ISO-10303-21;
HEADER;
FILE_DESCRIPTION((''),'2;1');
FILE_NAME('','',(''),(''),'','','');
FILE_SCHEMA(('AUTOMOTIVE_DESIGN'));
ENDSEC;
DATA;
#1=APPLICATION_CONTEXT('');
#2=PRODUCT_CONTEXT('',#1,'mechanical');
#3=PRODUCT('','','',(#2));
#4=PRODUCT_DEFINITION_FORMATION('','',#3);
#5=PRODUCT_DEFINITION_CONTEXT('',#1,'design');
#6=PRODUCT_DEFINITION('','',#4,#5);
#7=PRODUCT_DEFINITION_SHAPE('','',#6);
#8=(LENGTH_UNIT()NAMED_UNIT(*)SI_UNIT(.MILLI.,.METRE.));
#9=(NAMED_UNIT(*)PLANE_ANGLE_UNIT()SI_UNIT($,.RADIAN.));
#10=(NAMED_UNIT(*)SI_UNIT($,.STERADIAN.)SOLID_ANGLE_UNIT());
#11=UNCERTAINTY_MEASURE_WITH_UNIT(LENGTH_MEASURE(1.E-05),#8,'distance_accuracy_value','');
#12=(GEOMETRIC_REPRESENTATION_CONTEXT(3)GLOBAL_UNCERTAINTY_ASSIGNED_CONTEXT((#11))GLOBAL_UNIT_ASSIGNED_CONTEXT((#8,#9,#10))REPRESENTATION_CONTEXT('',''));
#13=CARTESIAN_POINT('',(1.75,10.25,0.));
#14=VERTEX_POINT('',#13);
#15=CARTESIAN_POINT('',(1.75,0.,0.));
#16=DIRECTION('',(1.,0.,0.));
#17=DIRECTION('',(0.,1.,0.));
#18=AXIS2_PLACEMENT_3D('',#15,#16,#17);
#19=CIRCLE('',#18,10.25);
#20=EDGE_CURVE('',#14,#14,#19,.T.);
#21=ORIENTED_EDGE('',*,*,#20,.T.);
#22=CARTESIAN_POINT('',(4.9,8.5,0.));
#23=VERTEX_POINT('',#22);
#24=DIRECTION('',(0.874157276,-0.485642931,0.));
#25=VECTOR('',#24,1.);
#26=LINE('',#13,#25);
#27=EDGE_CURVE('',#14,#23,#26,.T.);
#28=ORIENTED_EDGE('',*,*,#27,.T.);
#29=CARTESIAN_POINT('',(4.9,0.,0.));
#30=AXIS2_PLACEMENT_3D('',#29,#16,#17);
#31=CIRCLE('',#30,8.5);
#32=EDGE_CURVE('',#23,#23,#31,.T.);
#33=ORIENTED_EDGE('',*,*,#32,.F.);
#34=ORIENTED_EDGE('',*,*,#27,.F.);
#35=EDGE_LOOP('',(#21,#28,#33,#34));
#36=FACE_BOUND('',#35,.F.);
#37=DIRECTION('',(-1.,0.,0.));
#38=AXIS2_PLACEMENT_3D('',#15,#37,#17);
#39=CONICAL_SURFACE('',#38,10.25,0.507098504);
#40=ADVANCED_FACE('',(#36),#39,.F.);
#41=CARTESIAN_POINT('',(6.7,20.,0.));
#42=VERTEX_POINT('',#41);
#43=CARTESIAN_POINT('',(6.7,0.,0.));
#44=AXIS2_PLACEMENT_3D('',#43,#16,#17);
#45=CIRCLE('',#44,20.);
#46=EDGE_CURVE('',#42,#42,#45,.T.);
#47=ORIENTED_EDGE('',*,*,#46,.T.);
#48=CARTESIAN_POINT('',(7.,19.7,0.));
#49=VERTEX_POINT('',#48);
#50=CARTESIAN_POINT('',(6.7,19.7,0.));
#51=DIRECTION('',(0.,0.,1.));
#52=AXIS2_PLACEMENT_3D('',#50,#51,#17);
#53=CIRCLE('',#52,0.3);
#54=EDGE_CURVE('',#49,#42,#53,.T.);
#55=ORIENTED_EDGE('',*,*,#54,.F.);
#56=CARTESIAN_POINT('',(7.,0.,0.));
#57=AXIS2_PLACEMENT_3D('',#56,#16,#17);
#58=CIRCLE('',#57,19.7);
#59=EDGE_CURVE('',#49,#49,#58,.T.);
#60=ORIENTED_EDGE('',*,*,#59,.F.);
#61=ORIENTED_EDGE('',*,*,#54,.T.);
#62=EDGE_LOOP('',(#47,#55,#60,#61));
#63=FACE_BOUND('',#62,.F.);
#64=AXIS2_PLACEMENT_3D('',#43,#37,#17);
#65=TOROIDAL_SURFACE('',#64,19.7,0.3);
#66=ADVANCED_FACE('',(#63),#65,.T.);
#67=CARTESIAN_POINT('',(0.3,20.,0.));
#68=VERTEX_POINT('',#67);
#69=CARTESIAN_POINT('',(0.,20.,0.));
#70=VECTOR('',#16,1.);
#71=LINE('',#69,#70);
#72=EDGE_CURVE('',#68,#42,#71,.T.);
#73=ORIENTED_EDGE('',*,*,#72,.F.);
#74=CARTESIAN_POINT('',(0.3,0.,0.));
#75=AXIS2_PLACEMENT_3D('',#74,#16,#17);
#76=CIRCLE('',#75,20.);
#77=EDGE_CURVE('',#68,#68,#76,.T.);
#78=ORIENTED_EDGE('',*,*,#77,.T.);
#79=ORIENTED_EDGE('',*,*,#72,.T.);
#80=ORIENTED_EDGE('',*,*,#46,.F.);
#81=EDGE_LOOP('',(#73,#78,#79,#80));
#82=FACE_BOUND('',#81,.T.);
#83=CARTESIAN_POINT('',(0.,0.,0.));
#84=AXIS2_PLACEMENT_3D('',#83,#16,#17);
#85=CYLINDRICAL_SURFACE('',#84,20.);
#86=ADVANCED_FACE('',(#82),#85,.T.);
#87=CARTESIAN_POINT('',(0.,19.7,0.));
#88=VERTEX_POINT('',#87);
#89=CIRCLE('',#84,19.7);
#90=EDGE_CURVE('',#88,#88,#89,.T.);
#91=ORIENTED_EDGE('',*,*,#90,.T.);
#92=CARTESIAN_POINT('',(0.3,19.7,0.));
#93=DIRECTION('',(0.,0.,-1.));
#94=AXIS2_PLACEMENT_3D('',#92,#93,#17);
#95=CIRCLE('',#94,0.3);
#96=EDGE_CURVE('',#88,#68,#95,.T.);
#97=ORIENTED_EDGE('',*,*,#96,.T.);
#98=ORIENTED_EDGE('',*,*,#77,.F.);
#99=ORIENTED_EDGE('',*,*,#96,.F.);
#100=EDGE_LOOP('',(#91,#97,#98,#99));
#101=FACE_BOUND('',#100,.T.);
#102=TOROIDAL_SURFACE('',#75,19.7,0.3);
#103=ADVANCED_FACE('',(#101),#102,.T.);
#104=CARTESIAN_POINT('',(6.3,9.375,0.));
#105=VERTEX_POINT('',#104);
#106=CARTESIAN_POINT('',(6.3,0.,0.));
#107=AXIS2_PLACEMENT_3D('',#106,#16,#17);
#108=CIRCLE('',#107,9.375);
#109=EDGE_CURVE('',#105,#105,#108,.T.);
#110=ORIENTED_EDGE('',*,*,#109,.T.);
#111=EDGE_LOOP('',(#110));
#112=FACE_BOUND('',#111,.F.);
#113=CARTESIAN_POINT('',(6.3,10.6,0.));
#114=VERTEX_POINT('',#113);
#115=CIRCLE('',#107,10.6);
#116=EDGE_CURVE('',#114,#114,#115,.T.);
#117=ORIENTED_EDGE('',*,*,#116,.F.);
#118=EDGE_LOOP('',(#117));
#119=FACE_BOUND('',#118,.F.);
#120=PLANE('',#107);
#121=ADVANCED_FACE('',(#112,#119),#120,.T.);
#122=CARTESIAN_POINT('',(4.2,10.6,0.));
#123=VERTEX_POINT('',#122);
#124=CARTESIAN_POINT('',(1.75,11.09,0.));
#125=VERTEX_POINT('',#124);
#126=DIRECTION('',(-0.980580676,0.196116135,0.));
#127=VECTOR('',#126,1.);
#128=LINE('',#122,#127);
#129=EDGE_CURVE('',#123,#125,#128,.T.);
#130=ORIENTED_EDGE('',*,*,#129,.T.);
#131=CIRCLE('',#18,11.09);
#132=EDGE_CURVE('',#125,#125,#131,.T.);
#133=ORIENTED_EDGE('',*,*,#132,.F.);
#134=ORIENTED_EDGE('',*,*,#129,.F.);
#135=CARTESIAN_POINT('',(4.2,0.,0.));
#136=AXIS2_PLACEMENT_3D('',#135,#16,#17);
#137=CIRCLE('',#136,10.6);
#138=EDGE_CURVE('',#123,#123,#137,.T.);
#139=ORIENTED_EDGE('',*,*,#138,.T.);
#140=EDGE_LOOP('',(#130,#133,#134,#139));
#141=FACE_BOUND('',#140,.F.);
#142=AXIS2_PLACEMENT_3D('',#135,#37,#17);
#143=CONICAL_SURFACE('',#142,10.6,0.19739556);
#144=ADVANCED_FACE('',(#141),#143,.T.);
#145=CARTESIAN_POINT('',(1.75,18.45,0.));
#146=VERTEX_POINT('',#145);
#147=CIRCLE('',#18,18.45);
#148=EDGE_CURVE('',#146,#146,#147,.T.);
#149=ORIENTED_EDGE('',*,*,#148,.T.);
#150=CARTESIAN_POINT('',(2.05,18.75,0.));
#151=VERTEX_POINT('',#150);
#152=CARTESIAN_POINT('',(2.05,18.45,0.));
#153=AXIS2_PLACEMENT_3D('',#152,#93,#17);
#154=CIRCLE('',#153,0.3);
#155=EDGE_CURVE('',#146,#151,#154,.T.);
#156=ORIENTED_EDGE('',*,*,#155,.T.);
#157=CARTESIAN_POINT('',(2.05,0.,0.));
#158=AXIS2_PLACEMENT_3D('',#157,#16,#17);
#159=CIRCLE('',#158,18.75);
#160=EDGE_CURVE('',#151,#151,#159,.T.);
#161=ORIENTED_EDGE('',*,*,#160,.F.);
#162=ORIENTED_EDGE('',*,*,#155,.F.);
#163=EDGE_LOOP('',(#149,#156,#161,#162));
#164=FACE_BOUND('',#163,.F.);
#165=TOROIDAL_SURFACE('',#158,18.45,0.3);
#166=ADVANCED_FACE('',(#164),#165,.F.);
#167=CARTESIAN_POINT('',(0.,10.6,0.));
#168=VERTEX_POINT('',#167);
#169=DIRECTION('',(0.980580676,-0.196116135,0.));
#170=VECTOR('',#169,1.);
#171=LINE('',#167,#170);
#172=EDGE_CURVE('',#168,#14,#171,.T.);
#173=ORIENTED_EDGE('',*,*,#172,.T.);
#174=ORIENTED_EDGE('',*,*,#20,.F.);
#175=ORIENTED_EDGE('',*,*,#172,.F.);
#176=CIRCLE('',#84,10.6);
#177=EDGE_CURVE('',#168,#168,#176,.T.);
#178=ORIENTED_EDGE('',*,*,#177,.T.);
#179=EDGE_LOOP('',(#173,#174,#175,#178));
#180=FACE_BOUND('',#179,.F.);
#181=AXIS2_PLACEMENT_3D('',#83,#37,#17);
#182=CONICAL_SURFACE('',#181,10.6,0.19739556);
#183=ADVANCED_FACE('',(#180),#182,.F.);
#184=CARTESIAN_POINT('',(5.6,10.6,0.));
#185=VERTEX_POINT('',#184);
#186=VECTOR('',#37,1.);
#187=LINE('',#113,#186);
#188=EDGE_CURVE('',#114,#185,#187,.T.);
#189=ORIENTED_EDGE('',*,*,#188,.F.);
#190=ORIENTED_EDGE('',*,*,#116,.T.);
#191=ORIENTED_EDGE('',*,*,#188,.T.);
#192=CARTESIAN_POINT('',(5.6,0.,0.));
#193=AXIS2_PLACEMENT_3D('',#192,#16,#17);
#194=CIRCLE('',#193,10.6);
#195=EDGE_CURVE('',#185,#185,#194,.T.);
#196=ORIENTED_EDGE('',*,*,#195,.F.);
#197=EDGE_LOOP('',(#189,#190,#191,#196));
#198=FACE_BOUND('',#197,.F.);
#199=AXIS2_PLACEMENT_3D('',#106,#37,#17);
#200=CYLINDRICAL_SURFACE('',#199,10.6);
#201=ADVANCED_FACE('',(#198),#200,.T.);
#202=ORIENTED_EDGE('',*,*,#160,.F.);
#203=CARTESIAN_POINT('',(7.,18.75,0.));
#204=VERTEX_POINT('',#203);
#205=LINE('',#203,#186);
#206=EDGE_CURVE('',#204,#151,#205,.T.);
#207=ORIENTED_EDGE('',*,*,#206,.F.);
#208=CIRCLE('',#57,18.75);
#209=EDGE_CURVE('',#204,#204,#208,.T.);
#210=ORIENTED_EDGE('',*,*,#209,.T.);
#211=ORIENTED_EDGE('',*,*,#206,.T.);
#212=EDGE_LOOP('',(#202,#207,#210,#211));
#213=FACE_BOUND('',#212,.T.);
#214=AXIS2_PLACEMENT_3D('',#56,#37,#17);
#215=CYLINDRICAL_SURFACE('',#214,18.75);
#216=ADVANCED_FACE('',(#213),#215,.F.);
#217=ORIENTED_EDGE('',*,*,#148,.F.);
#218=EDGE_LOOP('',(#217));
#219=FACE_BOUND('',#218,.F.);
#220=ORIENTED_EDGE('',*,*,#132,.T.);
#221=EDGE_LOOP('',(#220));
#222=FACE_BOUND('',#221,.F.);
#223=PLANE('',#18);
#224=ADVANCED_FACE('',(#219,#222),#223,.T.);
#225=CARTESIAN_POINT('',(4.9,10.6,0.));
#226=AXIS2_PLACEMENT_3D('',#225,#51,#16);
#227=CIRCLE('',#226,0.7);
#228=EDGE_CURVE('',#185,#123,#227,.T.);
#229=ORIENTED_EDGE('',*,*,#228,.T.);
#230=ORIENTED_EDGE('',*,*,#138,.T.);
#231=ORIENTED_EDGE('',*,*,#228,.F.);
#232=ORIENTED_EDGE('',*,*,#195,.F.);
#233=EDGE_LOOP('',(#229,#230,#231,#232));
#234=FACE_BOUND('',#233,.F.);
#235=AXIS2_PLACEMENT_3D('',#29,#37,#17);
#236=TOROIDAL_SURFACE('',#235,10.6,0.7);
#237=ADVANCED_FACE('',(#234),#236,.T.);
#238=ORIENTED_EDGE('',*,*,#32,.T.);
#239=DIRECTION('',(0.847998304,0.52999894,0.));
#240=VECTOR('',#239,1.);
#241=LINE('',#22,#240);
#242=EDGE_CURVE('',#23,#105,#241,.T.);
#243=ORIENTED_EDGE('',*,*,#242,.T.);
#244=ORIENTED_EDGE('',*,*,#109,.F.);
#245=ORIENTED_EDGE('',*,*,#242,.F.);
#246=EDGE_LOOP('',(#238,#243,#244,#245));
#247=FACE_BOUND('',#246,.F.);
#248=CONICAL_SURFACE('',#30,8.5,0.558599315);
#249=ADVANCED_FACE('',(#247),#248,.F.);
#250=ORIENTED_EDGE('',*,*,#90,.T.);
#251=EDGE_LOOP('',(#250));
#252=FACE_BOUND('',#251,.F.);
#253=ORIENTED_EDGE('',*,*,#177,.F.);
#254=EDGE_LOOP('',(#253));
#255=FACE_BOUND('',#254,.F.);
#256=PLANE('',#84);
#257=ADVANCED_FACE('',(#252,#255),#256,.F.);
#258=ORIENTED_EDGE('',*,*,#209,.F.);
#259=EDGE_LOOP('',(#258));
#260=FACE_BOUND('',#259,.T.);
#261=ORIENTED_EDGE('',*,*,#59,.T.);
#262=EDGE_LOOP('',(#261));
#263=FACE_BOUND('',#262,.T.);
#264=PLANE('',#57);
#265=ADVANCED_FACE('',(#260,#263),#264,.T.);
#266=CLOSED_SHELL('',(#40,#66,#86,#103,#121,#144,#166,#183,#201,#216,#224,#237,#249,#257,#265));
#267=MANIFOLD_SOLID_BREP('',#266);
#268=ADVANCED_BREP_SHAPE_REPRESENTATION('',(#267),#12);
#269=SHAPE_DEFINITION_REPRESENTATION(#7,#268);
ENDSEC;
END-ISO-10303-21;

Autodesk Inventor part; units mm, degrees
ref_plane "YZ Plane" through (0, 0, 0) normal (1, 0, 0) x (0, 1, 0)
ref_plane "XZ Plane" through (0, 0, 0) normal (0, 1, 0) x (-1, 0, 0)
ref_plane "XY Plane" through (0, 0, 0) normal (0, 0, 1) x (1, 0, 0)
sketch "Sketch1" plane through (0, 0, 0) normal (0, 0, 1) x (1, 0, 0)
  circle A0 centre (4.9, 10.6) radius 0.455
  circle A1 centre (4.9, 10.6) radius 0.7
  line L0 (6.3, 9.375) -> (6.3, 10.6)
  line L1 (0, 20) -> (7, 20)
  line L2 (7, 20) -> (7, 18.75)
  line L3 (7, 18.75) -> (1.75, 18.75)
  line L4 (0, 0) -> (9.5856, 0)
  line L5 (0, 20) -> (0, 10.6)
  line L6 (0, 10.6) -> (1.75, 10.25)
  line L7 (1.75, 10.25) -> (4.9, 8.5)
  line L8 (4.9, 8.5) -> (6.3, 9.375)
  line L9 (4.9, 8.5) -> (0, 8.5) construction
  line L10 (0, 18) -> (0, -3) projected
  line L11 (-1.9171, 0) -> (11.5027, 0) projected
  line L12 (4.2, 10.6) -> (1.75, 11.09)
  line L13 (1.75, 11.09) -> (1.75, 18.75)
  line L14 (6.3, 10.6) -> (5.6, 10.6)
  dimension "d0" = 40
  dimension "d1" = 18.75
  dimension "d2" = 1.25
  dimension "d3" = 0.91
  dimension "d4" = 1.4
  dimension "d5" = 17
  dimension "d6" = 20.5
  dimension "d7" = 21.2
  dimension "d8" = 4.9
  dimension "d9" = 6.3
  dimension "d10" = 7
  dimension "d12" = 1.75
revolve "Body" add sketch "Sketch1" angle 360 about axis through (0, 0, 0) along (1, 0, 0) contours L14 L0 L8 L7 L6 L5 L1 L2 L3 L13 L12 A1
revolve "Spring1" add sketch "Sketch1" angle 360 about axis through (0, 0, 0) along (1, 0, 0) contours A0 | A1
fillet "Fillet1" radius 0.3 3 edges at (7, -20, 0) (1.75, -18.75, 0) (0, -20, 0)
equation "\"d0\" = SD2"
equation "\"d1\" = ABDM"
equation "\"d3\" = SPDI"
equation "\"d4\" = SPDA"
equation "\"d5\" = NND"
equation "\"d6\" = TKDM"
equation "\"d7\" = HLDM"
equation "\"d8\" = SPDST"
equation "\"d9\" = SDI"
equation "\"d10\" = SWDT"
equation "\"d12\" = SD"
equation "\"d11\" = RR"
equation "\"SD2\" = 40"
equation "\"SWDT\" = 7"
equation "\"RR\" = 0.3"
equation "\"SD\" = 1.75"
equation "\"NND\" = 17"
equation "\"SPDA\" = 1.4"
equation "\"SPDI\" = 0.91"
equation "\"TKDM\" = 20.5"
equation "\"HLDM\" = 21.2"
equation "\"ABDM\" = 18.75"
equation "\"SDI\" = 6.3"
equation "\"SPDST\" = 4.9"
equation "\"LAB\" = 0.35"
properties part number "CSN 02 9401 - G 17x40x7 - NBR" material "Rubber"
